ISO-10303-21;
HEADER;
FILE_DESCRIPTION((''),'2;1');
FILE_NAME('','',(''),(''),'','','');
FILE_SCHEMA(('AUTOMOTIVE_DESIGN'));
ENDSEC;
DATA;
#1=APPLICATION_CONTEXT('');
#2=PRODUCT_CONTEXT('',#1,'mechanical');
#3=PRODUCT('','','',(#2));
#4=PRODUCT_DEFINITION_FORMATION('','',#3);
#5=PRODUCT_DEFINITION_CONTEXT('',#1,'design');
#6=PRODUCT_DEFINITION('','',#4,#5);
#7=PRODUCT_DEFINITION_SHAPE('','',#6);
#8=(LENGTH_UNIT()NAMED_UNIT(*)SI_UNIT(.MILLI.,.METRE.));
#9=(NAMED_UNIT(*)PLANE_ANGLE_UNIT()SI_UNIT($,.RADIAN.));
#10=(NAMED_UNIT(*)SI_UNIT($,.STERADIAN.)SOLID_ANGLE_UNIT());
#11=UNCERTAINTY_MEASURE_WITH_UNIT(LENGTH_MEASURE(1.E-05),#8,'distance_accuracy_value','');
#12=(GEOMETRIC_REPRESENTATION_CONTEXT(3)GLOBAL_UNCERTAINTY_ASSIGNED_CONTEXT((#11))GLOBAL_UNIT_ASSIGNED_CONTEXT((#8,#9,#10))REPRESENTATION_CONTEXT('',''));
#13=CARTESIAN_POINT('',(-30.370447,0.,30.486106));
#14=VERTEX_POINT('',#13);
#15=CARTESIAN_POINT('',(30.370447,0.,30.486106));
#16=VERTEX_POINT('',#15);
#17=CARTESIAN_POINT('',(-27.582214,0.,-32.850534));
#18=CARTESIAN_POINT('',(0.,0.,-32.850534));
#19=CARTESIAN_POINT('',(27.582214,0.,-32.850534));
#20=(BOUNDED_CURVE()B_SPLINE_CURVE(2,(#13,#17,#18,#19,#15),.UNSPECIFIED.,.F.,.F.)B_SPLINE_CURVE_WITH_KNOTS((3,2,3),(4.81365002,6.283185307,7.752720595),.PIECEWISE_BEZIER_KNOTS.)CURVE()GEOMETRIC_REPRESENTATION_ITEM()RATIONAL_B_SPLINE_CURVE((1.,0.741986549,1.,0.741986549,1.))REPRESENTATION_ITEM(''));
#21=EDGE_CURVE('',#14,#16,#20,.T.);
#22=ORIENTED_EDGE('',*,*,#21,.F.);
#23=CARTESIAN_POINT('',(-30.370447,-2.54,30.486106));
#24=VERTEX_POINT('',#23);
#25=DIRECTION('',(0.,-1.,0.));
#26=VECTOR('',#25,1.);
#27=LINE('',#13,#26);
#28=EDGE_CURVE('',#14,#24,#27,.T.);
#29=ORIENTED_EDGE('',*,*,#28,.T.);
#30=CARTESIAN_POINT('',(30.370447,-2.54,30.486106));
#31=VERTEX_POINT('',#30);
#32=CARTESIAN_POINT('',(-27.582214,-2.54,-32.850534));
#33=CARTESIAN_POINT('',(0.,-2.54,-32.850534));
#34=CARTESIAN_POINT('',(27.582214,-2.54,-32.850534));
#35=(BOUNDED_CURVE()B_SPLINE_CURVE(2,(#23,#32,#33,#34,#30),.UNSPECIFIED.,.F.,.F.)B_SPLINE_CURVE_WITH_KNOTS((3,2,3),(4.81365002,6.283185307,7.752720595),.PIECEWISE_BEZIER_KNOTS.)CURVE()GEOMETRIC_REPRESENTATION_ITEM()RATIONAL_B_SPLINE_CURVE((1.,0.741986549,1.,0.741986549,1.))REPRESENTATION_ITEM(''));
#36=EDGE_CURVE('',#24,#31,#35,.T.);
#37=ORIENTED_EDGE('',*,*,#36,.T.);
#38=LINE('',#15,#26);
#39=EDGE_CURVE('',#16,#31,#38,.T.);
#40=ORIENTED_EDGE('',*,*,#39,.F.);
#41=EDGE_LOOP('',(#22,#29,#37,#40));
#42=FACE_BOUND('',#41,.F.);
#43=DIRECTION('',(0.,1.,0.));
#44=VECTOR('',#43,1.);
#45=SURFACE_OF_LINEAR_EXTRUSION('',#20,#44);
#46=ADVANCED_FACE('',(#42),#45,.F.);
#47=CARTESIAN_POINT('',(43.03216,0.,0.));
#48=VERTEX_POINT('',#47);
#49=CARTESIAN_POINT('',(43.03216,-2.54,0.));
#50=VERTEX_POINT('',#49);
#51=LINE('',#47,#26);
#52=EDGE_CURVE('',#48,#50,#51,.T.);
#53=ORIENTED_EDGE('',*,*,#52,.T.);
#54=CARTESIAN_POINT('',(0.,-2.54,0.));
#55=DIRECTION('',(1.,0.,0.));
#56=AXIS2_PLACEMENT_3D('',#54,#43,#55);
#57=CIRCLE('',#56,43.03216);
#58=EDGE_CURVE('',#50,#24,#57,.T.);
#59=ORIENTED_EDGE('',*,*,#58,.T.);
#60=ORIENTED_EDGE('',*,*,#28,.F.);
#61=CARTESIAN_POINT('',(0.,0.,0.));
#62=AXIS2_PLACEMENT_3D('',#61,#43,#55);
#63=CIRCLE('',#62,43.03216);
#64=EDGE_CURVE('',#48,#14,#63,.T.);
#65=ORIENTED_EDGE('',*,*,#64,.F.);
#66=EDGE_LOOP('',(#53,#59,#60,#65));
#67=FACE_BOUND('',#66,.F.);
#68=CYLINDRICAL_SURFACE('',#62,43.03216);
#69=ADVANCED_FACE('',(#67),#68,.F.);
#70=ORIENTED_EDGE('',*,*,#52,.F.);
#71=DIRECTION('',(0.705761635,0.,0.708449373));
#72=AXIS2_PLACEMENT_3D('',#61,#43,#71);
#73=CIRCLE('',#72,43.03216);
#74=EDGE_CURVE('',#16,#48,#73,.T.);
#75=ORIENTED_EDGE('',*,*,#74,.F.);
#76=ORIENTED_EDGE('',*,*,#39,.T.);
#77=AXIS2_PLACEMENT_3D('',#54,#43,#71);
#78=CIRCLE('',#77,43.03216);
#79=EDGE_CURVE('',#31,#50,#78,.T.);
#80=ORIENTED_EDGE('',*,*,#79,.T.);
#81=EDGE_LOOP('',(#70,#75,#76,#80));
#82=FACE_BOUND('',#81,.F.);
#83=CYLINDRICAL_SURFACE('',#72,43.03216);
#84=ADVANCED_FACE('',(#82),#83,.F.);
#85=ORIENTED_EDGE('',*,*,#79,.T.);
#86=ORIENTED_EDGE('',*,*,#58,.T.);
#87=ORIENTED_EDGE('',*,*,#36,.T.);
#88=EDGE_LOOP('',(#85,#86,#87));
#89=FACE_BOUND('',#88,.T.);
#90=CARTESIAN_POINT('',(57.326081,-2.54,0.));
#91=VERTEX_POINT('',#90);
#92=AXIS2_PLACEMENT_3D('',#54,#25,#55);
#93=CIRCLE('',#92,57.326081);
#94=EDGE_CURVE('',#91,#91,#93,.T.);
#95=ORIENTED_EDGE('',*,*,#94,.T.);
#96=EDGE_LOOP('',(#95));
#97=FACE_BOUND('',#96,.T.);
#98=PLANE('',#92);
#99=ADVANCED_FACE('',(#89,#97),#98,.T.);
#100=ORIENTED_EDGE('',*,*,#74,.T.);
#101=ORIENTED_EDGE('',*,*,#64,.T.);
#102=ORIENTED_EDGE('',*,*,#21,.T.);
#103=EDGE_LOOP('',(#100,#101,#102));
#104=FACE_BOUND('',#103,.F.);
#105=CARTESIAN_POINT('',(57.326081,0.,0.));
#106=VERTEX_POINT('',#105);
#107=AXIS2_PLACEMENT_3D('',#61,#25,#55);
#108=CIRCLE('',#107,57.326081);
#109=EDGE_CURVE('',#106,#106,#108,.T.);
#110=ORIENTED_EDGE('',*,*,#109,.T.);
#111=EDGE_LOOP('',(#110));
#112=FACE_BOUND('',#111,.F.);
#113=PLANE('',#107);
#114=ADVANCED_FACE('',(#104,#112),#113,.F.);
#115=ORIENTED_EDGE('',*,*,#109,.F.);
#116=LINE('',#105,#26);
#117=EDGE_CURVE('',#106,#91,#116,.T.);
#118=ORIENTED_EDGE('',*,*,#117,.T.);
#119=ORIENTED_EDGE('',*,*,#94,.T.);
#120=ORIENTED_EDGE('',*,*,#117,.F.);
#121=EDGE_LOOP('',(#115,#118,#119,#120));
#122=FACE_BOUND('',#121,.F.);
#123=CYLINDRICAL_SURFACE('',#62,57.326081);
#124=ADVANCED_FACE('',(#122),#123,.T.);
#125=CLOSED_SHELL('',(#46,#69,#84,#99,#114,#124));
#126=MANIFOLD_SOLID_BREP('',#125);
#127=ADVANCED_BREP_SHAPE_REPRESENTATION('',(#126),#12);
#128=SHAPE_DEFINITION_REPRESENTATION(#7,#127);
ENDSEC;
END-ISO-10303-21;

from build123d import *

# Parameters (mm, degrees)
F0_R     = 57.3260811401
F1_DEPTH = 2.54


with BuildPart() as f1:
    # F0 (on Front) → F1 (new body)
    with BuildSketch(Plane.XZ):
        Circle(F0_R)
        with BuildLine():
            ThreePointArc((30.3704472784, 30.4861064774), (39.7408649195, 16.5054661093), (43.0321595558, 0))
            ThreePointArc((43.0321595558, 0), (-16.5054661093, -39.7408649195), (-30.3704472784, 30.4861064774))
            ThreePointArc((-30.3704472784, 30.4861064774), (0, 43.0321595558), (30.3704472784, 30.4861064774))
        make_face(mode=Mode.SUBTRACT)
        with BuildLine():
            add(Edge.make_bspline(
                [(-30.3704472784, 30.4861064774), (-27.5822142985, -32.8505337238), (0, -32.8505337238), (27.5822142985, -32.8505337238), (30.3704472784, 30.4861064774)],
                knots=[4.8136500196, 4.8136500196, 4.8136500196, 6.2831853072, 6.2831853072, 7.7527205948, 7.7527205948, 7.7527205948], degree=2, weights=[1, 0.7419865485, 1, 0.7419865485, 1]))
            ThreePointArc((30.3704472784, 30.4861064774), (0, 43.0321595558), (-30.3704472784, 30.4861064774))
        make_face()
    extrude(amount=F1_DEPTH)


solid = f1.part
